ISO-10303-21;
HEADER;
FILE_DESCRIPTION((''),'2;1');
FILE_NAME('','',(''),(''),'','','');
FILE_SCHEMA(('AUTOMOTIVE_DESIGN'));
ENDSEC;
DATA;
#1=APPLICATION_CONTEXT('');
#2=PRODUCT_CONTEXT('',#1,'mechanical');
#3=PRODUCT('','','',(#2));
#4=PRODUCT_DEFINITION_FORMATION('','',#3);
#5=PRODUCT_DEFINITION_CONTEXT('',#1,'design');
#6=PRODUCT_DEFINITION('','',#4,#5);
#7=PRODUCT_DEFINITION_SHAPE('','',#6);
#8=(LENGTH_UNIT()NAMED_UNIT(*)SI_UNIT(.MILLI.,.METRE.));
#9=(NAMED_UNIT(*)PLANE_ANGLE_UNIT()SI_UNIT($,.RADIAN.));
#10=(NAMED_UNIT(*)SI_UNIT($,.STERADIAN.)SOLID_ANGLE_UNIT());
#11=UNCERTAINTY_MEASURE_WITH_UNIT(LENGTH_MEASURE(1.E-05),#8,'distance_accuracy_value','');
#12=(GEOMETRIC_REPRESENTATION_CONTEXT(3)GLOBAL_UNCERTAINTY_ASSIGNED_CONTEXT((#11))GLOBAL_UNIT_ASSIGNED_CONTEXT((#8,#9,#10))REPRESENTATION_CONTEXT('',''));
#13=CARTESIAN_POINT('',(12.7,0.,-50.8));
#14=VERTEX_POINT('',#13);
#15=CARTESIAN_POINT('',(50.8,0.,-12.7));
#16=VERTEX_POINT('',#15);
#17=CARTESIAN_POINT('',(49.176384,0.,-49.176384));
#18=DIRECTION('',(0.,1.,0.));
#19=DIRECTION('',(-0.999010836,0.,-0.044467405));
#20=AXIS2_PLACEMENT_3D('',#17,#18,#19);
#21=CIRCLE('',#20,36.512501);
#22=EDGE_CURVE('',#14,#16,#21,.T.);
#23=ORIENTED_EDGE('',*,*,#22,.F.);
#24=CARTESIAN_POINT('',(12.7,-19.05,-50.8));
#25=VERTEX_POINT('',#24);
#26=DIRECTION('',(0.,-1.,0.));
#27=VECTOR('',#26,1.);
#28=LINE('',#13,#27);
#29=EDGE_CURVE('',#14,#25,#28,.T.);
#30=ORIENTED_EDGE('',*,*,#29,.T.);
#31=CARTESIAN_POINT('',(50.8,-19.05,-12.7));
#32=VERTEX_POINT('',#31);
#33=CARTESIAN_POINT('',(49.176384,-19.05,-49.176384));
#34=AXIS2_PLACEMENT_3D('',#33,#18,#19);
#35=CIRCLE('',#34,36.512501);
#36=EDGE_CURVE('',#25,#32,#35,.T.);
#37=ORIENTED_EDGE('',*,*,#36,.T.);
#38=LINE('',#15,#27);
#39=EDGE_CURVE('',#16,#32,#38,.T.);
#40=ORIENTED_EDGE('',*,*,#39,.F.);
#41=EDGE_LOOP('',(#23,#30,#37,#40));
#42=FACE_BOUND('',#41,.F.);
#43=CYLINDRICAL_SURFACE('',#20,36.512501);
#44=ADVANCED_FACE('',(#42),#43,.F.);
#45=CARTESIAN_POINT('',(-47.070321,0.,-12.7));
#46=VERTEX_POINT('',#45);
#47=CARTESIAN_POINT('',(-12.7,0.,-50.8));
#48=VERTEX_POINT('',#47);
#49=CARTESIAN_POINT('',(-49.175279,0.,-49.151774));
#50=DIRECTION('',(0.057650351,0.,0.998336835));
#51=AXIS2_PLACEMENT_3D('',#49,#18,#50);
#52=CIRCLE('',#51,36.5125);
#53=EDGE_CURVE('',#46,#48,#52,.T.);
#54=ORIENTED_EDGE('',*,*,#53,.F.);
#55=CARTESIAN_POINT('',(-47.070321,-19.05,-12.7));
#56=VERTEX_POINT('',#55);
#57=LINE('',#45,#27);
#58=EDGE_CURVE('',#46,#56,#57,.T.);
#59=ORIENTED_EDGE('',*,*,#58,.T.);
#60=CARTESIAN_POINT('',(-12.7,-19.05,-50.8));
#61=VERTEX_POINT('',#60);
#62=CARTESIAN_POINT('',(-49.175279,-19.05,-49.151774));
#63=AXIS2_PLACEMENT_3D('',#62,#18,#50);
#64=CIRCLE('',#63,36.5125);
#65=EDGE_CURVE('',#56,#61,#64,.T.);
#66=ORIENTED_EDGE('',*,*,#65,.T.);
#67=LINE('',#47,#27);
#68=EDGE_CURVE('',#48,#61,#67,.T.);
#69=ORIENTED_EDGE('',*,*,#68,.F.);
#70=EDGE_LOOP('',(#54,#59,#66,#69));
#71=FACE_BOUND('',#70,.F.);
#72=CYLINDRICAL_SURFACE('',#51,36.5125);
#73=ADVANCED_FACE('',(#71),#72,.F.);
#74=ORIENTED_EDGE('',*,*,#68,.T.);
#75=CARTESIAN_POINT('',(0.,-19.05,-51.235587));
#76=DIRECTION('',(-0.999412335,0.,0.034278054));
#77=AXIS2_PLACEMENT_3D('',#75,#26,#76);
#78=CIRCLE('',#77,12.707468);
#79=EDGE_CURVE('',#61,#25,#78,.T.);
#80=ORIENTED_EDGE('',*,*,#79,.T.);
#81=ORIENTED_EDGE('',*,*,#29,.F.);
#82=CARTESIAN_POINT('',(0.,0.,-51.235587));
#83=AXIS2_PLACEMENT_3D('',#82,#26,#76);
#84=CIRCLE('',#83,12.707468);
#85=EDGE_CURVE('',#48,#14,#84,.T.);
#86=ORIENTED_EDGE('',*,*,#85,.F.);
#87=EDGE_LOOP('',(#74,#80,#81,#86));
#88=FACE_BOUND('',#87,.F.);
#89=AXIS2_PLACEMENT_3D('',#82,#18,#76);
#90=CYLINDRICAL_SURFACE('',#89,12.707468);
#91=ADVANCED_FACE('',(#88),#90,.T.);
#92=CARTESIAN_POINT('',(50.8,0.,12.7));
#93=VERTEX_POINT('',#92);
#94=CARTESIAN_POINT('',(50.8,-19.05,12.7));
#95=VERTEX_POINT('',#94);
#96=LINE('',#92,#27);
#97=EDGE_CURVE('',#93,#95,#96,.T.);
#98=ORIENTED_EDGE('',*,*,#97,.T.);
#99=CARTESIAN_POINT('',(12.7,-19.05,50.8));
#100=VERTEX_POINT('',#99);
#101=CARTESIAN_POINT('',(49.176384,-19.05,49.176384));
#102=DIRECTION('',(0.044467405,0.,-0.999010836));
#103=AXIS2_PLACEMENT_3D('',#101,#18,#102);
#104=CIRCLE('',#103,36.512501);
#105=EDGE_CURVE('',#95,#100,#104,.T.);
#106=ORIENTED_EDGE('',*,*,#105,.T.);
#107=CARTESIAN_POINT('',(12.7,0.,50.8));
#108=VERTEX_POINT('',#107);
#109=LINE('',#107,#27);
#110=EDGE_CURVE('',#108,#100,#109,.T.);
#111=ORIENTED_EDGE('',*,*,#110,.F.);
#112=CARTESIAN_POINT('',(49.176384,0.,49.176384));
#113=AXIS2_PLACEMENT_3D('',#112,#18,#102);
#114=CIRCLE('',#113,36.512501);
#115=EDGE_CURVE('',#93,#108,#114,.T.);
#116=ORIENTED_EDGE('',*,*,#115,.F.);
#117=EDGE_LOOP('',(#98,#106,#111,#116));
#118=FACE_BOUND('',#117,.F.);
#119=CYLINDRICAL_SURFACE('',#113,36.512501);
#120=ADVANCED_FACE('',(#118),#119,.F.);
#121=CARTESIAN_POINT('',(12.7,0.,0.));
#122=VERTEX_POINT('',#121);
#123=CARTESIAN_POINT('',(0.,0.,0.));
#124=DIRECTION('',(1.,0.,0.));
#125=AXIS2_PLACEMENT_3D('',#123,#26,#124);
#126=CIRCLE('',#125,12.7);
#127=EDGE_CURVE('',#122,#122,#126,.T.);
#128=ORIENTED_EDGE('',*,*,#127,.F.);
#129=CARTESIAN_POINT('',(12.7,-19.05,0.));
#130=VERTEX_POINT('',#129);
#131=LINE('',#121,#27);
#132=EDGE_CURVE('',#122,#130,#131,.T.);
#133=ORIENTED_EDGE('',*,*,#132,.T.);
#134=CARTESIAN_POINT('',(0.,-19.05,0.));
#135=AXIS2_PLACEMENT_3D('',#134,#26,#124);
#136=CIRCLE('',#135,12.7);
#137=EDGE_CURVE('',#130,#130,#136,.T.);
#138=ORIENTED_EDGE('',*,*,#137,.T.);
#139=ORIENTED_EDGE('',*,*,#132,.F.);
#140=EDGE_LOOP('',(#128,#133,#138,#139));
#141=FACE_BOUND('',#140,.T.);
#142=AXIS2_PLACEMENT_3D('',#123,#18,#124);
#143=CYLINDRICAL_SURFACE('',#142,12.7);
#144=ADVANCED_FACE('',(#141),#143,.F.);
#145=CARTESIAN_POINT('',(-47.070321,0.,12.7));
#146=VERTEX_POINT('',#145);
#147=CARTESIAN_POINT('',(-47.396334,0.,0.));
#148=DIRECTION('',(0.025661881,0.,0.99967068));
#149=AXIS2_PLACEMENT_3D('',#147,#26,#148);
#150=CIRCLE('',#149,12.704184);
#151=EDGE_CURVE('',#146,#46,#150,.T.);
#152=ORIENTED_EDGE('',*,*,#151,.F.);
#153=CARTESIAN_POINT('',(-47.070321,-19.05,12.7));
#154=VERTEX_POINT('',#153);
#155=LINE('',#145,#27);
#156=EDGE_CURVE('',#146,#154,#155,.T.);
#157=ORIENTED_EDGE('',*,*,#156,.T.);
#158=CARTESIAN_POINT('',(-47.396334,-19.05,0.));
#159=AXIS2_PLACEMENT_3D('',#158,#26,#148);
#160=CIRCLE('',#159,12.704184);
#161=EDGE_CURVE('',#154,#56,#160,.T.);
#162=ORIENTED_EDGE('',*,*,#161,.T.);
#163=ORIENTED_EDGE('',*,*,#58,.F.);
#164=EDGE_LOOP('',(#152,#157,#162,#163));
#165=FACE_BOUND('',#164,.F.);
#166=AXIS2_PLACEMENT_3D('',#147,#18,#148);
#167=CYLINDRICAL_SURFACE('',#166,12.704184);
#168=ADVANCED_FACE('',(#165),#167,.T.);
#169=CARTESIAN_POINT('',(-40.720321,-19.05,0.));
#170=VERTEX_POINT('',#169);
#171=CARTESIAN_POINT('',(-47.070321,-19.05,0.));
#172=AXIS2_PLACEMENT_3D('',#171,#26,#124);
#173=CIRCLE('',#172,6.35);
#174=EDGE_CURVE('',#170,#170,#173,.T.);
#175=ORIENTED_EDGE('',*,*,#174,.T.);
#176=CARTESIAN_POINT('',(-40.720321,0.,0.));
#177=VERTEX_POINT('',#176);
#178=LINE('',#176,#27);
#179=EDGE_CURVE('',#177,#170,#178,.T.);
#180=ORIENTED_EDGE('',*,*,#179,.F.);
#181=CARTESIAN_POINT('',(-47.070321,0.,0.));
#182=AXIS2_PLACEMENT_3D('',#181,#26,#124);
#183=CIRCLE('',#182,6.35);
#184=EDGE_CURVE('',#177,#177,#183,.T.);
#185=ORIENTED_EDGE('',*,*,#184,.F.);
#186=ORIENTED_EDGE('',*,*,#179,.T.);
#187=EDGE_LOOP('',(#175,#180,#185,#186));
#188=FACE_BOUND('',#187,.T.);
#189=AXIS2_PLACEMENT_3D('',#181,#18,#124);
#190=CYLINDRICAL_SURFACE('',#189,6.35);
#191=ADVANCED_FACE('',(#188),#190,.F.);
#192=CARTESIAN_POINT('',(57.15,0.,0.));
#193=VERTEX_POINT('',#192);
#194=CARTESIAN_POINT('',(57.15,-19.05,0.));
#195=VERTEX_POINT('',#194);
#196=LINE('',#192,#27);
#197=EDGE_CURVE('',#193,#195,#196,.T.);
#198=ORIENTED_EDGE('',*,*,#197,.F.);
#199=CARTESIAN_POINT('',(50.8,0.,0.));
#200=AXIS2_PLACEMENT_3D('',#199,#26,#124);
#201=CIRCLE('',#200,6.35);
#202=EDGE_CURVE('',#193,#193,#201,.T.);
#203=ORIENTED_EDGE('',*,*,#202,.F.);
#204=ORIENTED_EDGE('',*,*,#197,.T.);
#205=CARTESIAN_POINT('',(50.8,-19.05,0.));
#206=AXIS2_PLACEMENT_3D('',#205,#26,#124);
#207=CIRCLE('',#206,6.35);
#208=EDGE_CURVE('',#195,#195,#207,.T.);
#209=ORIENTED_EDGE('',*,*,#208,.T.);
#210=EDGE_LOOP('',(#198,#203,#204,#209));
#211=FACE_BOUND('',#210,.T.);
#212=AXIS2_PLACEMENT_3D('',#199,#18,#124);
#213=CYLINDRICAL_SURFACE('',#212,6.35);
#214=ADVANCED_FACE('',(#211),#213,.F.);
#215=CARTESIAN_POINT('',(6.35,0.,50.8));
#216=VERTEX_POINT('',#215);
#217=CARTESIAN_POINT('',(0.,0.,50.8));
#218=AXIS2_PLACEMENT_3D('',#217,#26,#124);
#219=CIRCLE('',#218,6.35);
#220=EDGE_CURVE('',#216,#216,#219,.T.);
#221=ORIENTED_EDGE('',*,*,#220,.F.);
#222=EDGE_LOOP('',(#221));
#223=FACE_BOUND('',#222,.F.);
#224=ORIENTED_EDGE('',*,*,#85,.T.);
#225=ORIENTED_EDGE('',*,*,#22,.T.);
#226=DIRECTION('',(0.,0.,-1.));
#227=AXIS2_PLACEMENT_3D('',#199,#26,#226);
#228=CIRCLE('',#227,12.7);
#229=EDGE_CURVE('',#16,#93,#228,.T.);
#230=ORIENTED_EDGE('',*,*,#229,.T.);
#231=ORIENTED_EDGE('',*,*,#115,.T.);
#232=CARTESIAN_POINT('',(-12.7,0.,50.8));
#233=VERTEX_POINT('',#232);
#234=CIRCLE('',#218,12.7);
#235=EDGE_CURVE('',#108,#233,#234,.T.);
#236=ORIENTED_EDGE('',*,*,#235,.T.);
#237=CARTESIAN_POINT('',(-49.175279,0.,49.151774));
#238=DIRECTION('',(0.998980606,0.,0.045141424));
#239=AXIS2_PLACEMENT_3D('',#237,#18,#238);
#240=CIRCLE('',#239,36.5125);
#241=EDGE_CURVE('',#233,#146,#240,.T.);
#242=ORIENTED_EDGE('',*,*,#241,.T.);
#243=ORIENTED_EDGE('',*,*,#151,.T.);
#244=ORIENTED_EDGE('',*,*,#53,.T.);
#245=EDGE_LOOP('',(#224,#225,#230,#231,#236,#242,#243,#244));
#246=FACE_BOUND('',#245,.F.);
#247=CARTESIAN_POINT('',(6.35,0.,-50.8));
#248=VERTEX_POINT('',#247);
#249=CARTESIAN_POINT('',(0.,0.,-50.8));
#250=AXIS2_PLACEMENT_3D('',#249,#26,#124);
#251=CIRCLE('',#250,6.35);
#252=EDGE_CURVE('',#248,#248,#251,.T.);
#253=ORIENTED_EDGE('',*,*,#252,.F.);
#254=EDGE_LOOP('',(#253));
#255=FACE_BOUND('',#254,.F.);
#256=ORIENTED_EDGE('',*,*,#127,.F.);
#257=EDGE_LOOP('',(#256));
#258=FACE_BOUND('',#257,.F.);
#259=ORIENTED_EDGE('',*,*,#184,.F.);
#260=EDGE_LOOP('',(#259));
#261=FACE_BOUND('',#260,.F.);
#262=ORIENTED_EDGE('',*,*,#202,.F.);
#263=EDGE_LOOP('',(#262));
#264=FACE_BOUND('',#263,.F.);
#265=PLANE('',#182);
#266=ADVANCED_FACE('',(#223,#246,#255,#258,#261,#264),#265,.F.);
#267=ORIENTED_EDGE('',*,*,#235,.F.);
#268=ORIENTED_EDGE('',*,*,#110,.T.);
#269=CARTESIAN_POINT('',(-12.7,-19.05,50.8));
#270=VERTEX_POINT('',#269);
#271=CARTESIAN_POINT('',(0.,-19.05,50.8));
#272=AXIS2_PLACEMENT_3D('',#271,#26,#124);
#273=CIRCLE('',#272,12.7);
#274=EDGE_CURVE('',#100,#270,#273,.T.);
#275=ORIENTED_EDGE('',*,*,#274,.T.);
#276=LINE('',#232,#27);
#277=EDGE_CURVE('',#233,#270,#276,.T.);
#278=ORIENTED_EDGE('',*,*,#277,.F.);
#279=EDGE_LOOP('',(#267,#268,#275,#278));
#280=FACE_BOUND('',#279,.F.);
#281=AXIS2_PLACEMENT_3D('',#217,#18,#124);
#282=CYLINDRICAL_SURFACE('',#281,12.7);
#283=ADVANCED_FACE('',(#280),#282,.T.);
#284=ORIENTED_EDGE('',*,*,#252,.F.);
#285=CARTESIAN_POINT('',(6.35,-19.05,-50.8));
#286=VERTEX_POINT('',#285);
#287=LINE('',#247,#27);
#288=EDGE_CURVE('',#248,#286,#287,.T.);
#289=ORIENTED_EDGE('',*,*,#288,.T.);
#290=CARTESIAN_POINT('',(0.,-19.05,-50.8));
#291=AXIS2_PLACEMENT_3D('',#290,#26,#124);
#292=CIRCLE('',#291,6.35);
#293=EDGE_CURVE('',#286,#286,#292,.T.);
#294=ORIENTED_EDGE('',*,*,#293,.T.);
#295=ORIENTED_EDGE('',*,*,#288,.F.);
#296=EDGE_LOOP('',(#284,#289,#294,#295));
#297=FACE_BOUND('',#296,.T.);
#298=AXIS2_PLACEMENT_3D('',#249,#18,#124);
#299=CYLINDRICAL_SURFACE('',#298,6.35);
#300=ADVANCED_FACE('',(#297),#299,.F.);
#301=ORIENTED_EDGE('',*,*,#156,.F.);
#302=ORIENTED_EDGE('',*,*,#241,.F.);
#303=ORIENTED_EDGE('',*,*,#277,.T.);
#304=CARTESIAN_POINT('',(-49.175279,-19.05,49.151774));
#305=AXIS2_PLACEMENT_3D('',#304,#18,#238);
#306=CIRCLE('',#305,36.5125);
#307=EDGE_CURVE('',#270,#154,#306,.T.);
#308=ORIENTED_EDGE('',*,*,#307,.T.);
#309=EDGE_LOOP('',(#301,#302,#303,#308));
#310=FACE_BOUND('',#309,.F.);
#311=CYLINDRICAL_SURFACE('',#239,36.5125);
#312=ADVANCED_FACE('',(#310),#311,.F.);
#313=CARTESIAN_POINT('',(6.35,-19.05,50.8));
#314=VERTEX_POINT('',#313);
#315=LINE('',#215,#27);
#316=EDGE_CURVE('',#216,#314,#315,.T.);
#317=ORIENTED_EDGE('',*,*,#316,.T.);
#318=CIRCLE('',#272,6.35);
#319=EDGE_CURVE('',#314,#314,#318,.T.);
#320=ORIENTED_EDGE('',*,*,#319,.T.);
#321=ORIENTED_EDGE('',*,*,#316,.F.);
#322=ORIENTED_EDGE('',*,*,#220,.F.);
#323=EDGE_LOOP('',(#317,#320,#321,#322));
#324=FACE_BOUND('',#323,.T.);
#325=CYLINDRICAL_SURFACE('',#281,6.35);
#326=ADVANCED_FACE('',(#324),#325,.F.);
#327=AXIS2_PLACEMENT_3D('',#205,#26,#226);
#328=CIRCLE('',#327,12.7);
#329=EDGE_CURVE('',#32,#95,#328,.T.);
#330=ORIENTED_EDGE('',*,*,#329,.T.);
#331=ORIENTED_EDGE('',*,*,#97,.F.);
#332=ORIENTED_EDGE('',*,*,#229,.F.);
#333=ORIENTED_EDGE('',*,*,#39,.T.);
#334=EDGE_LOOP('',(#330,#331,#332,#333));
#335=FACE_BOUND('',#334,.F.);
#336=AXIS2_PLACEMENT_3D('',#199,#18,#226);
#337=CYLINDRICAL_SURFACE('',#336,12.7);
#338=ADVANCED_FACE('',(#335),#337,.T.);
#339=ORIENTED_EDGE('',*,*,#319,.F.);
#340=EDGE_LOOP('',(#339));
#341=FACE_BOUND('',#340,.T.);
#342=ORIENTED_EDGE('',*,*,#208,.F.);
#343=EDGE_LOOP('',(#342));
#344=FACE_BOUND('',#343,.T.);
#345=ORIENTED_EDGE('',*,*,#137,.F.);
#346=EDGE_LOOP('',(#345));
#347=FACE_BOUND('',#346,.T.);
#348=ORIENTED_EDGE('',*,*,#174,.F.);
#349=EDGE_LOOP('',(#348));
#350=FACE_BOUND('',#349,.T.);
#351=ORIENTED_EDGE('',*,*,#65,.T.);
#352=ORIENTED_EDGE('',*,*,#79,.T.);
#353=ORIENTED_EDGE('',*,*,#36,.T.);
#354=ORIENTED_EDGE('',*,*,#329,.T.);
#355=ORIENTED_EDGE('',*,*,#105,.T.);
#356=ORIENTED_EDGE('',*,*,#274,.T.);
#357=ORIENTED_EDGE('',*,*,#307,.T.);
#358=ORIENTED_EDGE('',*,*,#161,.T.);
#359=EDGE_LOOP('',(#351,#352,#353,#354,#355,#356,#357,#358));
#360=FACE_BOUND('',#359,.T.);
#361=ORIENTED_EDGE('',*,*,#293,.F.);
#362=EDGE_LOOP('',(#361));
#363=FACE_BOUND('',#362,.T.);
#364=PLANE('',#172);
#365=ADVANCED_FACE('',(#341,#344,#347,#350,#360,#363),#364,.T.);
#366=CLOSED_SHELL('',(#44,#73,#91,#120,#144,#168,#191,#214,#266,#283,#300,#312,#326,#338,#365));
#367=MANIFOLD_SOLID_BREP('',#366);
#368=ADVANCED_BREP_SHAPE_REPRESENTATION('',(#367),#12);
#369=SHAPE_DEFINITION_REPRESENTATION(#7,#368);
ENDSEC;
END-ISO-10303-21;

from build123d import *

# Parameters (mm, degrees)
F0_R     = 6.35
F0_R_2   = 12.7
F1_DEPTH = 19.05


with BuildPart() as f1:
    # F0 (on Front) → F1 (new body)
    with BuildSketch(Plane.XZ):
        with Locations((-47.070321, 0)):
            Circle(F0_R)
        with BuildLine():
            ThreePointArc((50.8, 12.7), (23.358147, 23.358147), (12.7, 50.8))
            ThreePointArc((12.7, 50.8), (0, 63.5), (-12.7, 50.8))
            ThreePointArc((-12.7, 50.8), (-22.06419, 24.694638), (-47.070321, 12.7))
            ThreePointArc((-47.070321, 12.7), (-60.100518, 0), (-47.070321, -12.7))
            ThreePointArc((-47.070321, -12.7), (-22.06419, -24.694638), (-12.7, -50.8))
            ThreePointArc((-12.7, -50.8), (0, -63.943055), (12.7, -50.8))
            ThreePointArc((12.7, -50.8), (23.358147, -23.358147), (50.8, -12.7))
            ThreePointArc((50.8, -12.7), (63.5, 0), (50.8, 12.7))
        make_face()
        with Locations((0, -50.8)):
            Circle(F0_R, mode=Mode.SUBTRACT)
        with Locations((-47.070321, 0)):
            Circle(F0_R, mode=Mode.SUBTRACT)
        Circle(F0_R_2, mode=Mode.SUBTRACT)
        with Locations((0, 50.8)):
            Circle(F0_R, mode=Mode.SUBTRACT)
        with Locations((50.8, 0)):
            Circle(F0_R, mode=Mode.SUBTRACT)
    extrude(amount=F1_DEPTH)


solid = f1.part
